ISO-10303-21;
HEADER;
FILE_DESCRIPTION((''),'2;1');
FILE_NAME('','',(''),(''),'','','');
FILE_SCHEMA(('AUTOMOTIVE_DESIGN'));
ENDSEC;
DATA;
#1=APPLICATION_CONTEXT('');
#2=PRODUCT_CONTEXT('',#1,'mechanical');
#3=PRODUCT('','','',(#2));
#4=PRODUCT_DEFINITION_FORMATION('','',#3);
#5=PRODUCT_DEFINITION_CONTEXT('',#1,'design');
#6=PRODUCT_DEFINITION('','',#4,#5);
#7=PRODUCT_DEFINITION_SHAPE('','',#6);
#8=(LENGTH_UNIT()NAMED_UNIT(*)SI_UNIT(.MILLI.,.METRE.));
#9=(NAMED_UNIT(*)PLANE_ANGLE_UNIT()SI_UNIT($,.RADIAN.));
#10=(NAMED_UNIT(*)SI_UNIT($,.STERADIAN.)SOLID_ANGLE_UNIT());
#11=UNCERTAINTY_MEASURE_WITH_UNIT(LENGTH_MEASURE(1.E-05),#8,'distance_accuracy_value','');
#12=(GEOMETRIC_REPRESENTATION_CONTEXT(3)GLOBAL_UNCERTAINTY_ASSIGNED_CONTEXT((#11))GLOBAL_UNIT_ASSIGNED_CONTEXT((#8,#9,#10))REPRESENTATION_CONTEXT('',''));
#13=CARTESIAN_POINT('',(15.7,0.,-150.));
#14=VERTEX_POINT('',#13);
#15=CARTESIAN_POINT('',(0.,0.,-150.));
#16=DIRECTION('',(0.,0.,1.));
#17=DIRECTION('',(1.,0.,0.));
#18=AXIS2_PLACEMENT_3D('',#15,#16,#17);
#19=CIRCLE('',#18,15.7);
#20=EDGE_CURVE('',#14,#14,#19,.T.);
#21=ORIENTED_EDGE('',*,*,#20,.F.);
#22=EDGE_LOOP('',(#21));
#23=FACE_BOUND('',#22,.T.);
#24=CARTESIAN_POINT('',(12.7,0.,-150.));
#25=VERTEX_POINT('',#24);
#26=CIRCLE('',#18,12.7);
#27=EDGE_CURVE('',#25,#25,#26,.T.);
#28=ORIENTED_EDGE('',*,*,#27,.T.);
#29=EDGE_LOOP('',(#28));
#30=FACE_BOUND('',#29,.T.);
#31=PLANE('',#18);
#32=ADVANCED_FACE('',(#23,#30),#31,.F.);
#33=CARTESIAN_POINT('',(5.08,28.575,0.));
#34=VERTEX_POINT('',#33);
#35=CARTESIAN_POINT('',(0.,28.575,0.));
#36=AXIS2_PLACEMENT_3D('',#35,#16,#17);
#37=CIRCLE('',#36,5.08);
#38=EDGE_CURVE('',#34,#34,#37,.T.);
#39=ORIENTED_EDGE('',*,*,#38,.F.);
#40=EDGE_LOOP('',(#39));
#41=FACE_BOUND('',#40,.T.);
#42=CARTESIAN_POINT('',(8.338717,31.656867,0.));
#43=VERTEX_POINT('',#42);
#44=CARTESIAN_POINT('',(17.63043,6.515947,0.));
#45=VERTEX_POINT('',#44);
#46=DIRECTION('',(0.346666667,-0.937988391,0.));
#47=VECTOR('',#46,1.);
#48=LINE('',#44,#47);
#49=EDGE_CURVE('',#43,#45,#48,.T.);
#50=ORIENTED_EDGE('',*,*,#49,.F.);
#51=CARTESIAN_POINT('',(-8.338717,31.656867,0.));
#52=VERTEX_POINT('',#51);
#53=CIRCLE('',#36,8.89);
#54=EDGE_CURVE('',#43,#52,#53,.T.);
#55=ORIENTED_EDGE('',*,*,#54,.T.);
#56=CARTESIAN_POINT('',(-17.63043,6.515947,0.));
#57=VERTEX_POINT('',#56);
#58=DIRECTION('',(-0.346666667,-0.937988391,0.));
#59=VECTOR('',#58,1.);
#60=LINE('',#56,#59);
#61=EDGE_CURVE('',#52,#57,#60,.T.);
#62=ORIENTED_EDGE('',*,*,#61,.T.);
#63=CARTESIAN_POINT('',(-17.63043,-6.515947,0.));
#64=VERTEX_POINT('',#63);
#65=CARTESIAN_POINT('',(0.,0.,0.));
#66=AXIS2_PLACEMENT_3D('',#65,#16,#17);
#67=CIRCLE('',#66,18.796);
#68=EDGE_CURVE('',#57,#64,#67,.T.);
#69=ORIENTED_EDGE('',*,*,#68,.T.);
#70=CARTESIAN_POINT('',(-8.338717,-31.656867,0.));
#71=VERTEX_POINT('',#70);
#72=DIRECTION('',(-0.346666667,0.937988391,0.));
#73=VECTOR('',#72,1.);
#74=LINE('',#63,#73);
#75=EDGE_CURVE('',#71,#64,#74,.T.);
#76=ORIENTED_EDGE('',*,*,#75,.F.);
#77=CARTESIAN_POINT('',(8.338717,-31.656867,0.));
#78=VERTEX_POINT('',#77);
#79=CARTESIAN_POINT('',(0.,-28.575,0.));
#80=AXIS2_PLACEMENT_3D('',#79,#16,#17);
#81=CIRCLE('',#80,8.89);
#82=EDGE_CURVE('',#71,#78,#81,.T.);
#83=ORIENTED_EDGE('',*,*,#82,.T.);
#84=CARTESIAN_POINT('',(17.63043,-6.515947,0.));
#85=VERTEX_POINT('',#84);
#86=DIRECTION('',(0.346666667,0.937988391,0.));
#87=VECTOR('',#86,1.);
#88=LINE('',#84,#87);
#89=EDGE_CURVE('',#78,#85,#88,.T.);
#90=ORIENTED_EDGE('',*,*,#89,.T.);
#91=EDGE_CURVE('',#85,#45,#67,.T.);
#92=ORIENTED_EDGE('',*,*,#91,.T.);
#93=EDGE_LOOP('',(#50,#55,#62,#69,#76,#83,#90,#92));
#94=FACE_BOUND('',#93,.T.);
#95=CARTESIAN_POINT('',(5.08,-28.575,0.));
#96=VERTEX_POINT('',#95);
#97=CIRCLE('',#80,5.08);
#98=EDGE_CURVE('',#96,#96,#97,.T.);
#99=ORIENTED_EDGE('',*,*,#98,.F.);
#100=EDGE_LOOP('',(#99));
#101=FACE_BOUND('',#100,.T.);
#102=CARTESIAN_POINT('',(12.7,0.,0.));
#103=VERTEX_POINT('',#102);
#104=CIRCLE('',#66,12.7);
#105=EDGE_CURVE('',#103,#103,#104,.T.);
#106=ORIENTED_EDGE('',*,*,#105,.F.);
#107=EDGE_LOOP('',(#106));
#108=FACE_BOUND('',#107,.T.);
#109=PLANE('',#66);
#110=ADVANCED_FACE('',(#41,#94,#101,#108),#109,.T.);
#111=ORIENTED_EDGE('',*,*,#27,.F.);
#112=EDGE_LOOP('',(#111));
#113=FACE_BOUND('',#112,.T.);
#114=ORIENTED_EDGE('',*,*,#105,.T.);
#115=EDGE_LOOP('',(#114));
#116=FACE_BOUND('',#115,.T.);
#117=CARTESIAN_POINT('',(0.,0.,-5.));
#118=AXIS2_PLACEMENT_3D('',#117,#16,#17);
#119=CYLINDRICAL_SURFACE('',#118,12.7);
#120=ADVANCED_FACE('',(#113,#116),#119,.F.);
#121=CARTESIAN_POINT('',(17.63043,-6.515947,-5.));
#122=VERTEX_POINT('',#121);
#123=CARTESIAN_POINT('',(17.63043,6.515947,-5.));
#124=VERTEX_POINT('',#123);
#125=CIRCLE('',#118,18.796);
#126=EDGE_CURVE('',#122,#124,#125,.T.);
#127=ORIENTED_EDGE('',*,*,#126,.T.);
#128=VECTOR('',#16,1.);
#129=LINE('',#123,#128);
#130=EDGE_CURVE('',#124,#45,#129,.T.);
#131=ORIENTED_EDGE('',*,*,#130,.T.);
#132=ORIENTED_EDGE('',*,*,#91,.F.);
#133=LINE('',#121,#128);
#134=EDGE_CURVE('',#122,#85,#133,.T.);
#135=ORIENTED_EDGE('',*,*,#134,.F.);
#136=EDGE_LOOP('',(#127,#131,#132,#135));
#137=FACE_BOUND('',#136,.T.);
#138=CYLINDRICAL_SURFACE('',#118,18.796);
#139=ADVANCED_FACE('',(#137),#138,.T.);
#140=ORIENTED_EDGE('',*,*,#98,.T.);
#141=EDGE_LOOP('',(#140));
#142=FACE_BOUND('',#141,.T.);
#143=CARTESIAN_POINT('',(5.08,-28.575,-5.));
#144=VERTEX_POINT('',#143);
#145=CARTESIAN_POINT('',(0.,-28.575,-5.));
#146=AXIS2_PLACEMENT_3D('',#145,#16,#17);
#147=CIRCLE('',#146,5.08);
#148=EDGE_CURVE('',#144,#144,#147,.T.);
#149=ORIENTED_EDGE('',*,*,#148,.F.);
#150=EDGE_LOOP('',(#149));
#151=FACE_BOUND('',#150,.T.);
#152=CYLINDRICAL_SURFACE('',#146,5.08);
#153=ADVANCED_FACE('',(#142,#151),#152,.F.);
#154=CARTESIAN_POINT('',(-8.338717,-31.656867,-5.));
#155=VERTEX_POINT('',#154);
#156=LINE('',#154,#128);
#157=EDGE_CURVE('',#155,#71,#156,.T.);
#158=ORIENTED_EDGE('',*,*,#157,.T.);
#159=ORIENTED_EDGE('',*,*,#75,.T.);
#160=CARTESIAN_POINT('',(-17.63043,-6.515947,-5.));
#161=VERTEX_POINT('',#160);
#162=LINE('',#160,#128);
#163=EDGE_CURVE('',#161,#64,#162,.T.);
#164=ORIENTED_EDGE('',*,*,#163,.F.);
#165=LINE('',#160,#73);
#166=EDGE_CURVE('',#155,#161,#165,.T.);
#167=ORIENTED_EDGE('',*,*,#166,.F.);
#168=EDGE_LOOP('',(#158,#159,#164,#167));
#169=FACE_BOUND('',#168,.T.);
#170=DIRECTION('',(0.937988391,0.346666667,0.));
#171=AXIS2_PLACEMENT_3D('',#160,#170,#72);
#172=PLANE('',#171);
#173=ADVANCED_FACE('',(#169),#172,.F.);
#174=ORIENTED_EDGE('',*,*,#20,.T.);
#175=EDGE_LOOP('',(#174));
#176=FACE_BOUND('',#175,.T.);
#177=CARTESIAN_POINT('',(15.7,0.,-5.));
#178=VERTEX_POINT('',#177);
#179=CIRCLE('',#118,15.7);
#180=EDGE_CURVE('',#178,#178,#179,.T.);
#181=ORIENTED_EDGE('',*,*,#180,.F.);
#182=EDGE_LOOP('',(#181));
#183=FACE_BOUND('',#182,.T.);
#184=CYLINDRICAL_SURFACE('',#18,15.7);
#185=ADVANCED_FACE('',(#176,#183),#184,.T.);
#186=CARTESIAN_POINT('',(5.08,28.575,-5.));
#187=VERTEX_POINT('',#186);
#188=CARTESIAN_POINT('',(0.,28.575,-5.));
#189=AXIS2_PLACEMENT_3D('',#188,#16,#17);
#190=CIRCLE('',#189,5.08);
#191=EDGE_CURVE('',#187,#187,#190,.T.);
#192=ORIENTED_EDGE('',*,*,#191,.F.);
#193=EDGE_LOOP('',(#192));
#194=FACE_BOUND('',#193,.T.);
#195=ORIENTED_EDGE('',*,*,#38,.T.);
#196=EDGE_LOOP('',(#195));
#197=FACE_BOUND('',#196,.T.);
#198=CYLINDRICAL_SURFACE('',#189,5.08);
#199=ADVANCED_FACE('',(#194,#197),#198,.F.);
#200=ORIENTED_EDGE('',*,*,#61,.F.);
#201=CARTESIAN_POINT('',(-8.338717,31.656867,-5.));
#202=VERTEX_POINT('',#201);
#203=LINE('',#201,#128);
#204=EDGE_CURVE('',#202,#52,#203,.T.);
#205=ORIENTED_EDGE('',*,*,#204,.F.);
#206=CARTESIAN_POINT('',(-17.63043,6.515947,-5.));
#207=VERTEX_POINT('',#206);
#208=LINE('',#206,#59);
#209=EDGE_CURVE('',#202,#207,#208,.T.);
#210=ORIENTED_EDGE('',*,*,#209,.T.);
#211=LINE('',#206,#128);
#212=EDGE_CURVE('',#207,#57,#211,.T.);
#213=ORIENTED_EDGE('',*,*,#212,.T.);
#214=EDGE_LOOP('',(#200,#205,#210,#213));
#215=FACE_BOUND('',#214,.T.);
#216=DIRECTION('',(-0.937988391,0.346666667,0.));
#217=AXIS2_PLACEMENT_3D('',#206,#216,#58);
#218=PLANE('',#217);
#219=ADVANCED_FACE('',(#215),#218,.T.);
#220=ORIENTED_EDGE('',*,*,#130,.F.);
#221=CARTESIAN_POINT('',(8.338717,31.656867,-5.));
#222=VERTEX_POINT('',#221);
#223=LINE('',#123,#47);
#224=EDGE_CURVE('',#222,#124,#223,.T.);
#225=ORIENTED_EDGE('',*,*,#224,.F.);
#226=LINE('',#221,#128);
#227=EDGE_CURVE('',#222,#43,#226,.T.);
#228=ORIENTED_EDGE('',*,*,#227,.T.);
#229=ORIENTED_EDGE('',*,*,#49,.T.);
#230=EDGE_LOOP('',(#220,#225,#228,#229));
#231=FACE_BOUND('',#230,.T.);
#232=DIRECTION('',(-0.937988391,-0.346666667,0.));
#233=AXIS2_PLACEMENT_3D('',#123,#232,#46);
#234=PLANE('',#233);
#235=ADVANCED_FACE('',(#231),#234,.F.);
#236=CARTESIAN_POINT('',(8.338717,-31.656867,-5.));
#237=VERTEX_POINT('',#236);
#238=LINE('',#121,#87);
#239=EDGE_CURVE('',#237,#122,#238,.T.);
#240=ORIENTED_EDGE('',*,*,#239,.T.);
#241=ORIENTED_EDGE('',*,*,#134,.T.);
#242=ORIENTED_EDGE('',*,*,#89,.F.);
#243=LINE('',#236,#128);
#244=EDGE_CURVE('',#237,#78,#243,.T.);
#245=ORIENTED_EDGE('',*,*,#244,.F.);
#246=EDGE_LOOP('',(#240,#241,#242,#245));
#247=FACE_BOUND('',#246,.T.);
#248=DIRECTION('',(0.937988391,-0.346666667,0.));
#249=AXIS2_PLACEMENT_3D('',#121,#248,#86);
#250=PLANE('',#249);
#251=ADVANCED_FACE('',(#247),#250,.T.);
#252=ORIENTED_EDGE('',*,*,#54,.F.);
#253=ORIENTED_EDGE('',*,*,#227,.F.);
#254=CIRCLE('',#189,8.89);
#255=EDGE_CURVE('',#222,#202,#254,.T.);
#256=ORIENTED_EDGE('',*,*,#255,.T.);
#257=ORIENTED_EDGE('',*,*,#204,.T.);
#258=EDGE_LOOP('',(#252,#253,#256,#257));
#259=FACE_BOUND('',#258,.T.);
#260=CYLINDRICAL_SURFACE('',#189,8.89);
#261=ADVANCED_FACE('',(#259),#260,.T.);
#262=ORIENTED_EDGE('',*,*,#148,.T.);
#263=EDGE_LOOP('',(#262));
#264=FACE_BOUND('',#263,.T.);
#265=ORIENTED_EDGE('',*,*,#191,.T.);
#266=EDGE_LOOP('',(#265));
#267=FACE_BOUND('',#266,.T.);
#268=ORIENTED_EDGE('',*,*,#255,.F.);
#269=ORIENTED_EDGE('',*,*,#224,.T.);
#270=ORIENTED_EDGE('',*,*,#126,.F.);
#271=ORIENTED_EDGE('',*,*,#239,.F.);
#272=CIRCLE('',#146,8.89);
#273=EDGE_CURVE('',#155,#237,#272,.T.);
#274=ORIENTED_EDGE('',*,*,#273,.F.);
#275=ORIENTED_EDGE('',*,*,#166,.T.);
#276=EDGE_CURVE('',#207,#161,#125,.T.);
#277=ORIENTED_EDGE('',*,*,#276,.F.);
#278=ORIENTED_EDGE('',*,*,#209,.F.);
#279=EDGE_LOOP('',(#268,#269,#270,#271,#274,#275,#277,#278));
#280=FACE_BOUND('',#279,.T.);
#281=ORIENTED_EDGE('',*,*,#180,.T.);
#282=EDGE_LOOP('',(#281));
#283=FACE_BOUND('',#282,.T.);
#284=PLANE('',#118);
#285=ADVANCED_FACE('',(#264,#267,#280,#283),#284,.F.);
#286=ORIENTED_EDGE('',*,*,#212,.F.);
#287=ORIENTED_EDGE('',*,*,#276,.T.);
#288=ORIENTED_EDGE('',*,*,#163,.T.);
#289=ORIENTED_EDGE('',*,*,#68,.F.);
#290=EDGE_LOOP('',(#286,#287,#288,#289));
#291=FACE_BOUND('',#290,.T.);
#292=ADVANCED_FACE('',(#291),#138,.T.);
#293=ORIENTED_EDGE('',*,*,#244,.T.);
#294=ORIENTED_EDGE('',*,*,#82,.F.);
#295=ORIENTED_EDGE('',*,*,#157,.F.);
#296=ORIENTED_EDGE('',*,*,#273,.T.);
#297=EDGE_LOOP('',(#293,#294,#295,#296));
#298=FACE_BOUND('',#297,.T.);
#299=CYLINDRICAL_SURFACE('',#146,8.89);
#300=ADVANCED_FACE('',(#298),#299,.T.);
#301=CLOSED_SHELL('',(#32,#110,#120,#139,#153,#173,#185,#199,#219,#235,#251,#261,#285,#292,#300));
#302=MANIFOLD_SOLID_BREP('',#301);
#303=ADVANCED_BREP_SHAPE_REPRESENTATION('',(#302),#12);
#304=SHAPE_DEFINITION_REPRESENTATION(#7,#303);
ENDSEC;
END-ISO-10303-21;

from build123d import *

# Parameters (mm, degrees)
SKETCH1_R           = 5.08
SKETCH1_R_2         = 12.7
BOSS_EXTRUDE1_DEPTH = 5
SKETCH2_R           = 15.7
SKETCH2_R_2         = 12.7
BOSS_EXTRUDE2_DEPTH = 150


with BuildPart() as part:
    # Sketch1 → Boss-Extrude1 (new body)
    with BuildSketch(Plane.XY):
        with BuildLine():
            Line((17.630429803, 6.515946667), (8.338716799, 31.656866667))
            ThreePointArc((8.338716799, 31.656866667), (0, 37.465), (-8.338716799, 31.656866667))
            Line((-8.338716799, 31.656866667), (-17.630429803, 6.515946667))
            ThreePointArc((-17.630429803, 6.515946667), (-18.796, 0), (-17.630429803, -6.515946667))
            Line((-17.630429803, -6.515946667), (-8.338716799, -31.656866667))
            ThreePointArc((-8.338716799, -31.656866667), (0, -37.465), (8.338716799, -31.656866667))
            Line((8.338716799, -31.656866667), (17.630429803, -6.515946667))
            ThreePointArc((17.630429803, -6.515946667), (18.796, 0), (17.630429803, 6.515946667))
        make_face()
        with Locations((0, 28.575)):
            Circle(SKETCH1_R, mode=Mode.SUBTRACT)
        Circle(SKETCH1_R_2, mode=Mode.SUBTRACT)
        with Locations((0, -28.575)):
            Circle(SKETCH1_R, mode=Mode.SUBTRACT)
    extrude(amount=-BOSS_EXTRUDE1_DEPTH)

    # Sketch2 → Boss-Extrude2 (add)
    with BuildSketch(Plane.XY):
        Circle(SKETCH2_R)
        Circle(SKETCH2_R_2, mode=Mode.SUBTRACT)
    extrude(amount=-BOSS_EXTRUDE2_DEPTH)


solid = part.part
